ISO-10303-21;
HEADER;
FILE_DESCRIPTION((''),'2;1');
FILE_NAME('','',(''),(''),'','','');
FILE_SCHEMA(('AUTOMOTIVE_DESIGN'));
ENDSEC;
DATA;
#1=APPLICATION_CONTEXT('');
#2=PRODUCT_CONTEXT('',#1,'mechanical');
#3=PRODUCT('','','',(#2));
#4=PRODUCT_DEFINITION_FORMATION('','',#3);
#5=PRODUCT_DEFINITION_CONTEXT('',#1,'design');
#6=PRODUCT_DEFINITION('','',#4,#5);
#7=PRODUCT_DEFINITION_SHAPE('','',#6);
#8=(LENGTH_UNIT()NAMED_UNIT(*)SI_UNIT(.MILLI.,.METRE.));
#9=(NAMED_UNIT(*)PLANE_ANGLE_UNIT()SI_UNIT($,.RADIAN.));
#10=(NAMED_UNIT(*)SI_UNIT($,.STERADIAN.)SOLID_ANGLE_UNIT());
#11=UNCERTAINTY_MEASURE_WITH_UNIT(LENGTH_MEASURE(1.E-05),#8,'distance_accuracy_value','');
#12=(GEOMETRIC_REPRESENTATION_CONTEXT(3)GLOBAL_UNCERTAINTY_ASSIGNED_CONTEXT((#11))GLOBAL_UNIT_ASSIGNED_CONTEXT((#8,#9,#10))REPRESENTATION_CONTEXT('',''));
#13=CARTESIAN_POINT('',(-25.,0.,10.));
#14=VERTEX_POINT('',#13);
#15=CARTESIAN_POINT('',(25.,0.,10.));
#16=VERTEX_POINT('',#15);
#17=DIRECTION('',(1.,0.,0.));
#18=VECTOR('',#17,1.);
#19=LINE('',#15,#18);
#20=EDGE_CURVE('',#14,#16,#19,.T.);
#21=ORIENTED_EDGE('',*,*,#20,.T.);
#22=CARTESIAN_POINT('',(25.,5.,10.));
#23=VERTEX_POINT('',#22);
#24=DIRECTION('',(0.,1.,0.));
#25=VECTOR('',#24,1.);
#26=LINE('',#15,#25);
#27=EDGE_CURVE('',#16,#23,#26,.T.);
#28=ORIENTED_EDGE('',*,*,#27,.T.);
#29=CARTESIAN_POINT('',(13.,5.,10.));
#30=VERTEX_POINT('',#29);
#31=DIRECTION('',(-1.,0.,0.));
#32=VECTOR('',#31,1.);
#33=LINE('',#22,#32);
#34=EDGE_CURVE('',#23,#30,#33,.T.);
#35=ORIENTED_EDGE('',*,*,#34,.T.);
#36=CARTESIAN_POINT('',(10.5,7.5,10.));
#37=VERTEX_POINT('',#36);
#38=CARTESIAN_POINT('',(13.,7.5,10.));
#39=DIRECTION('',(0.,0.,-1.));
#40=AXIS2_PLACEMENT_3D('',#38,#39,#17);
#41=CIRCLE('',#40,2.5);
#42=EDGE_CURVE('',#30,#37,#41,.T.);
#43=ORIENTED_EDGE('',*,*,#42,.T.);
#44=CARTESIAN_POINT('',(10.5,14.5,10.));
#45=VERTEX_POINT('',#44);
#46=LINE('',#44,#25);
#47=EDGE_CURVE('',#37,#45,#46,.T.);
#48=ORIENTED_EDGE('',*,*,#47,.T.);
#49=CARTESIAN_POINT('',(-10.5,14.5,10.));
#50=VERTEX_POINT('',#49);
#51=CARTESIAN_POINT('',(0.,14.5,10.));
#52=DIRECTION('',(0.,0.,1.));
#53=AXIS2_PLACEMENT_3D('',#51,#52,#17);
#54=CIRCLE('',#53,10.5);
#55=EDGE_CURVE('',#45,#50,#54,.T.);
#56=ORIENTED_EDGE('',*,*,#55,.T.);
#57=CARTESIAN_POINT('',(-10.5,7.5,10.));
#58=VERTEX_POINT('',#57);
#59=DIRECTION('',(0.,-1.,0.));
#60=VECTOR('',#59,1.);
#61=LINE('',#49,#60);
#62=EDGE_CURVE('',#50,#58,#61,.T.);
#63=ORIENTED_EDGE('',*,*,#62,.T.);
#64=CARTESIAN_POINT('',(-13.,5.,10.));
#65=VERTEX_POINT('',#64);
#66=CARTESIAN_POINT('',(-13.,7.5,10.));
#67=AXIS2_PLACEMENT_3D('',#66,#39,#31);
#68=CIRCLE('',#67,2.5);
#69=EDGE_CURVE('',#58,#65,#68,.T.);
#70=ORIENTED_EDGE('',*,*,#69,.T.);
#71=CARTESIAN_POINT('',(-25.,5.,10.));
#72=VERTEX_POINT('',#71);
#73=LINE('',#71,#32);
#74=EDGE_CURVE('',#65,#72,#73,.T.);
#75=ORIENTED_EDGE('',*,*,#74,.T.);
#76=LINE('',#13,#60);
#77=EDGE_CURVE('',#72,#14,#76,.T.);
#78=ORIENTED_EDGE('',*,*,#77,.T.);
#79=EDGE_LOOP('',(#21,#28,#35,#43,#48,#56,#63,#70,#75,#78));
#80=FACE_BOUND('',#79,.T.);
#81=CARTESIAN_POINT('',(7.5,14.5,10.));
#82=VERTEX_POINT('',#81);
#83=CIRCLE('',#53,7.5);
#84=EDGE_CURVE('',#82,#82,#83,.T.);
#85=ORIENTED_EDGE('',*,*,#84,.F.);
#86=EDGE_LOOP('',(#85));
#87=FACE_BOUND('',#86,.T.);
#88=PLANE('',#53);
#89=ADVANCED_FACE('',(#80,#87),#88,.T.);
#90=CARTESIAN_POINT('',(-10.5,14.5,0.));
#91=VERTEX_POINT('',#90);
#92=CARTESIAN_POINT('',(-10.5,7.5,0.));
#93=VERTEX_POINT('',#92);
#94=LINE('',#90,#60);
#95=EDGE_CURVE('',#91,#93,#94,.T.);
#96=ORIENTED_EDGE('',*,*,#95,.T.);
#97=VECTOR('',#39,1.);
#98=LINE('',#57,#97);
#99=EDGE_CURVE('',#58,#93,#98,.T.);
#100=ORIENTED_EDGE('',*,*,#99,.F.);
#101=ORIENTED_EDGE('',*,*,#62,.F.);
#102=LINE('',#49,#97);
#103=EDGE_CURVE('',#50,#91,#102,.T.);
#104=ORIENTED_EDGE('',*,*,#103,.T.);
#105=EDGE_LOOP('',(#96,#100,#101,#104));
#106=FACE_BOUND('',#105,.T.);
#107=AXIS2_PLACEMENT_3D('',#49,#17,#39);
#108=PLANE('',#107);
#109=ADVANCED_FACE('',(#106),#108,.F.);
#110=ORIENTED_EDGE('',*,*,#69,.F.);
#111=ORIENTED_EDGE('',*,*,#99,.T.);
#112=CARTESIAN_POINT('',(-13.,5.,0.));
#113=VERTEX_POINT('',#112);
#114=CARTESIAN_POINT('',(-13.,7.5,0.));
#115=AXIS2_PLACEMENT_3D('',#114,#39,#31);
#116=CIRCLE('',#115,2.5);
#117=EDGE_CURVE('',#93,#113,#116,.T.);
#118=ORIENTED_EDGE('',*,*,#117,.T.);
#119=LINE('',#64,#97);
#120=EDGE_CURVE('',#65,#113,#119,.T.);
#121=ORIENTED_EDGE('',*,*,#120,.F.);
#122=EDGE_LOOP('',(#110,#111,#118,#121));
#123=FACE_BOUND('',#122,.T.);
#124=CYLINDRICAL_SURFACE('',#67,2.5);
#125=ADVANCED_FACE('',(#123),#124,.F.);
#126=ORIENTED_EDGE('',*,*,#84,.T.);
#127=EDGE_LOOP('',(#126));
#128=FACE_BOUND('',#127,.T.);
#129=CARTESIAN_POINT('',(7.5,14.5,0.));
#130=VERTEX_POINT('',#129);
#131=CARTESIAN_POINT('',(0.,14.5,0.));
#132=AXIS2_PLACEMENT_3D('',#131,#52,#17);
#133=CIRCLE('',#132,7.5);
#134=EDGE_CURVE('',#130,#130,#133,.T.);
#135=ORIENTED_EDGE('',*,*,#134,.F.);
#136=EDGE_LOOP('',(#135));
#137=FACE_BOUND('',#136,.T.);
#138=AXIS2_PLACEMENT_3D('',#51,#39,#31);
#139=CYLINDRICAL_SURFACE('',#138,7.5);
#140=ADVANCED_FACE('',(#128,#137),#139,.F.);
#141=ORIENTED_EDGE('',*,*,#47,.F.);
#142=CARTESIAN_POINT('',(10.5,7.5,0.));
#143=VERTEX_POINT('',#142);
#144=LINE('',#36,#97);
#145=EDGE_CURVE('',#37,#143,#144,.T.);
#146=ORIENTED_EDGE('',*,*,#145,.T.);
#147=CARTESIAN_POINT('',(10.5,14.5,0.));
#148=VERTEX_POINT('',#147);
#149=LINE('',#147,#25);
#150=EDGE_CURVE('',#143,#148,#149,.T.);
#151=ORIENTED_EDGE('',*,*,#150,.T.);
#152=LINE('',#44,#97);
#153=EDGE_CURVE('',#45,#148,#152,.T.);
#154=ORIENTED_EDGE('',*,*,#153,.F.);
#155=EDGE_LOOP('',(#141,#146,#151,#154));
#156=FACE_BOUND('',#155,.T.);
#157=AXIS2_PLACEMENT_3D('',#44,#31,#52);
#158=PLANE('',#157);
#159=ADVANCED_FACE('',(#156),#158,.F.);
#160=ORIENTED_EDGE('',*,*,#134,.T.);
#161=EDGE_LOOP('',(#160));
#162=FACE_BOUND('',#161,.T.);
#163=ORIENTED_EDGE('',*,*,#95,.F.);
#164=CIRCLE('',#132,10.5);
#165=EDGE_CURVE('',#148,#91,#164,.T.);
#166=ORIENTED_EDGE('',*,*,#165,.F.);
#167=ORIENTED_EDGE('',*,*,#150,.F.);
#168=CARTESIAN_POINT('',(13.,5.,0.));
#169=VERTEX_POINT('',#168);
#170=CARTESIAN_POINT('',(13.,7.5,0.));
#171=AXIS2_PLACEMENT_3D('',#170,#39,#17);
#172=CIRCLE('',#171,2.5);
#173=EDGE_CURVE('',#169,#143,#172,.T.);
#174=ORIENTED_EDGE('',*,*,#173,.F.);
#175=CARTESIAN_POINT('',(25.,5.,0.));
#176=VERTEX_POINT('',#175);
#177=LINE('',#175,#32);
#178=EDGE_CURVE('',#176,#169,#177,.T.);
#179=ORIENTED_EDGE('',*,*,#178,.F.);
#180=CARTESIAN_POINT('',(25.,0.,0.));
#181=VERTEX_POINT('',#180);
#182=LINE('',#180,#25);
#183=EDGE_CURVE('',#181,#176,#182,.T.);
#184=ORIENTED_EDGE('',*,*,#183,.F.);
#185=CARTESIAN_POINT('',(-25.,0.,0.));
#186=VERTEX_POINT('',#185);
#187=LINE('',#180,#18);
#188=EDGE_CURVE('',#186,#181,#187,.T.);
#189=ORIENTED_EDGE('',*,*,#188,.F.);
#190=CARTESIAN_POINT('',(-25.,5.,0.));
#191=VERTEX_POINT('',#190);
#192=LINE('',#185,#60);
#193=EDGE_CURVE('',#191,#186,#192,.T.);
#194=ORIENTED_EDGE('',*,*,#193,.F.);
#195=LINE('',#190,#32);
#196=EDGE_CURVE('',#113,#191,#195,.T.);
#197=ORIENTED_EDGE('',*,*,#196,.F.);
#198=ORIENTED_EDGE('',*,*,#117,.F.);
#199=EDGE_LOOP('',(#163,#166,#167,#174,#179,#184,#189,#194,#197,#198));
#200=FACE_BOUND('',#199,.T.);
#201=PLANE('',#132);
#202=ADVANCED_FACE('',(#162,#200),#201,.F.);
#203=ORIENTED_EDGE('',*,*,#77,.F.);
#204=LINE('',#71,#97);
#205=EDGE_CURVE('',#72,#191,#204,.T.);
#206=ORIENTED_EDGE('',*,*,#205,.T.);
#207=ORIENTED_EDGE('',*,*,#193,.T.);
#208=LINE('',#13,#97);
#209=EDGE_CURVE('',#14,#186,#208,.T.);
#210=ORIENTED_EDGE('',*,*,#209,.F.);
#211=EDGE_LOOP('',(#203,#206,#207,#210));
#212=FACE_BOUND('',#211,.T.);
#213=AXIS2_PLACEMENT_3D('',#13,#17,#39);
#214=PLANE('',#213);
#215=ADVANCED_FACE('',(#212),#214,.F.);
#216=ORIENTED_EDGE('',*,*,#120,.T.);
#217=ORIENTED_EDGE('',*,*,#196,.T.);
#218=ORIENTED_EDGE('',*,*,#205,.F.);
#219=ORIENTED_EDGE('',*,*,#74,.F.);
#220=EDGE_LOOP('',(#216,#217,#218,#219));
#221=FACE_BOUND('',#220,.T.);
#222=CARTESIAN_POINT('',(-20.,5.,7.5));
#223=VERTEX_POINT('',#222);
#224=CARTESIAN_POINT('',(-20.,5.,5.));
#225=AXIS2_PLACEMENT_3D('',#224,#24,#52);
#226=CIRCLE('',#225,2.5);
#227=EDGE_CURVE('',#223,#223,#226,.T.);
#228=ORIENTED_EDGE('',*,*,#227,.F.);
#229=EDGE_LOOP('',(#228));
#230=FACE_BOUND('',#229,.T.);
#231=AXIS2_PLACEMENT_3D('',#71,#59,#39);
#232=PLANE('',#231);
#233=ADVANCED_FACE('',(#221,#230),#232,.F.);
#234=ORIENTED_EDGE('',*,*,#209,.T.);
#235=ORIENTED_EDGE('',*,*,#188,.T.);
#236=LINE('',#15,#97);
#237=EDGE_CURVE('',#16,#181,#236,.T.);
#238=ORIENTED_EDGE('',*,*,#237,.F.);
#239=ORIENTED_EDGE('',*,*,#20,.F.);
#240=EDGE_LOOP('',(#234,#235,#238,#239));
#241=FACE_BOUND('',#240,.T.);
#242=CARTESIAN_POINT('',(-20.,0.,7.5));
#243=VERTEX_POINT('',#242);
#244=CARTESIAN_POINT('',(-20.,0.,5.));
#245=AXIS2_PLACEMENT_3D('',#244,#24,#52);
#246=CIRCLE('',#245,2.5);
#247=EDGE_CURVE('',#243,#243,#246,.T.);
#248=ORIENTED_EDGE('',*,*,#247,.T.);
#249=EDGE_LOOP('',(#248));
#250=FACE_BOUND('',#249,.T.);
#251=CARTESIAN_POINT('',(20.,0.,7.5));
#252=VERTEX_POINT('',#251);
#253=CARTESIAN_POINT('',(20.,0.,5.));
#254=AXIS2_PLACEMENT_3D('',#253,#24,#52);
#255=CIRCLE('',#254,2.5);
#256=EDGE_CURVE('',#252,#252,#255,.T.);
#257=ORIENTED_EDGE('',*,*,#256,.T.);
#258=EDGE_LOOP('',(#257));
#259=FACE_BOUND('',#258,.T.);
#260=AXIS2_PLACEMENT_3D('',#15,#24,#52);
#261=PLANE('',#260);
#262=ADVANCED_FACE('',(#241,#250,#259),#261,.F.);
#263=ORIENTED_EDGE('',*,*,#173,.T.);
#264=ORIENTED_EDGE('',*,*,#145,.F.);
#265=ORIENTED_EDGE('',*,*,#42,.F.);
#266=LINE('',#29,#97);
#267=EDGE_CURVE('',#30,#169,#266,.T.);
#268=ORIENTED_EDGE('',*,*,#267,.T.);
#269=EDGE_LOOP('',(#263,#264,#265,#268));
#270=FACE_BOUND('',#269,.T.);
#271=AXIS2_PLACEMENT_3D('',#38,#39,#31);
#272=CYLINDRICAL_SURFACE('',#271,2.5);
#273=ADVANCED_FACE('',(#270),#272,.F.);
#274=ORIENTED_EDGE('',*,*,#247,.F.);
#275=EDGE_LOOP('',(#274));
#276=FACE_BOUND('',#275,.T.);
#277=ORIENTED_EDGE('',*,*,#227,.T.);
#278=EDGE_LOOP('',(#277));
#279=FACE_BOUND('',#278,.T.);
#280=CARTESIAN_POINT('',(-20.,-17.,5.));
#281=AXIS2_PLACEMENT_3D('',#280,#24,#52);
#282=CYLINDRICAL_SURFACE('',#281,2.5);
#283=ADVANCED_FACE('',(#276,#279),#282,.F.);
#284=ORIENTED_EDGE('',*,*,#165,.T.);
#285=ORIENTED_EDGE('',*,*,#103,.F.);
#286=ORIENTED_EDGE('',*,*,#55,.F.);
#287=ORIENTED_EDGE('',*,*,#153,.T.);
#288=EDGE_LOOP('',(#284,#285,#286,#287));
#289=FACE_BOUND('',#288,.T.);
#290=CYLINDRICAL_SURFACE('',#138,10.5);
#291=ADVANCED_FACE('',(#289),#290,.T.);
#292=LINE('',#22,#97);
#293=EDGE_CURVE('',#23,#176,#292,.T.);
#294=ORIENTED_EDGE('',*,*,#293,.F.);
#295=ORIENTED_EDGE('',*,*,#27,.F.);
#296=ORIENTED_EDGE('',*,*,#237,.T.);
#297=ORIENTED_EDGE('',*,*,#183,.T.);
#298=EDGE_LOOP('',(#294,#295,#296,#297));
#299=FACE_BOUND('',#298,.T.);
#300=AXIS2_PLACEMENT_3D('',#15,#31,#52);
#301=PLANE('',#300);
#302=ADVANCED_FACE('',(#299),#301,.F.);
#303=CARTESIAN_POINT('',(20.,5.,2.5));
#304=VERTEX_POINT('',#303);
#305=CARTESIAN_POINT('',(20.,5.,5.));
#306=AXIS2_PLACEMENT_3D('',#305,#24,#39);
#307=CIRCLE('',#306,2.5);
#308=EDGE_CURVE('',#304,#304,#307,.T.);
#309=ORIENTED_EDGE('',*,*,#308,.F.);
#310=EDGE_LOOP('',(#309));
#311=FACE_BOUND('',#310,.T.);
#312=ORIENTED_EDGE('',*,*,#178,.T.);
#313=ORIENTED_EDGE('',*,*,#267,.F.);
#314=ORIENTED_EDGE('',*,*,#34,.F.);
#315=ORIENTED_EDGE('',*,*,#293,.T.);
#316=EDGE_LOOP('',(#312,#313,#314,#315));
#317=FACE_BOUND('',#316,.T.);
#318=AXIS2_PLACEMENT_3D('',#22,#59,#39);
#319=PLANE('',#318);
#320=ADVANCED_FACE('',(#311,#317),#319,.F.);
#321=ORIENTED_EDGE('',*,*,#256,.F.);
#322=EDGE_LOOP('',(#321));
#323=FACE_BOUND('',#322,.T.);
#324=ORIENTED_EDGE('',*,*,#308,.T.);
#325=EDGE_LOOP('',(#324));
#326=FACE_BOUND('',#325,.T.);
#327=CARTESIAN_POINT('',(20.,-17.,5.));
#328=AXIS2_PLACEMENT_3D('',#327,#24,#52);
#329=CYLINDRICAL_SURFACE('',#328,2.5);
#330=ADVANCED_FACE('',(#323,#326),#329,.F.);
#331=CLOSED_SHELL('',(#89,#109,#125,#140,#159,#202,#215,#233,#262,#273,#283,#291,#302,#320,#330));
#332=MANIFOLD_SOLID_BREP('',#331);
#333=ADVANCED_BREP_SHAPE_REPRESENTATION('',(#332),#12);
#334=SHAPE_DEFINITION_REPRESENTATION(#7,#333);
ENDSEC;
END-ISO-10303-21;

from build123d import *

# Parameters (mm, degrees)
SKETCH1_R           = 7.5
BOSS_EXTRUDE1_DEPTH = 10
SKETCH3_R           = 2.5
CUT_EXTRUDE1_DEPTH  = 22


with BuildPart() as part:
    # Sketch1 → Boss-Extrude1 (new body)
    with BuildSketch(Plane.XY):
        with BuildLine():
            Line((25, 0), (-25, 0))
            Line((-25, 0), (-25, 5))
            Line((-25, 5), (-13, 5))
            ThreePointArc((-13, 5), (-11.232233047, 5.732233047), (-10.5, 7.5))
            Line((-10.5, 7.5), (-10.5, 14.5))
            ThreePointArc((-10.5, 14.5), (0, 25), (10.5, 14.5))
            Line((10.5, 14.5), (10.5, 7.5))
            ThreePointArc((10.5, 7.5), (11.232233047, 5.732233047), (13, 5))
            Line((13, 5), (25, 5))
            Line((25, 5), (25, 0))
        make_face()
        with Locations((0, 14.5)):
            Circle(SKETCH1_R, mode=Mode.SUBTRACT)
    extrude(amount=BOSS_EXTRUDE1_DEPTH)

    # Sketch3 → Cut-Extrude1 (cut)
    with BuildSketch(Plane(origin=(0, 5, 0), x_dir=(1, 0, 0), z_dir=(0, 1, 0))):
        with Locations(Location((-20, -5, 0), (0, 0, 270))):
            Circle(SKETCH3_R)
        with Locations(Location((20, -5, 0), (0, 0, 270))):
            Circle(SKETCH3_R)
    extrude(amount=-CUT_EXTRUDE1_DEPTH, mode=Mode.SUBTRACT)


solid = part.part
